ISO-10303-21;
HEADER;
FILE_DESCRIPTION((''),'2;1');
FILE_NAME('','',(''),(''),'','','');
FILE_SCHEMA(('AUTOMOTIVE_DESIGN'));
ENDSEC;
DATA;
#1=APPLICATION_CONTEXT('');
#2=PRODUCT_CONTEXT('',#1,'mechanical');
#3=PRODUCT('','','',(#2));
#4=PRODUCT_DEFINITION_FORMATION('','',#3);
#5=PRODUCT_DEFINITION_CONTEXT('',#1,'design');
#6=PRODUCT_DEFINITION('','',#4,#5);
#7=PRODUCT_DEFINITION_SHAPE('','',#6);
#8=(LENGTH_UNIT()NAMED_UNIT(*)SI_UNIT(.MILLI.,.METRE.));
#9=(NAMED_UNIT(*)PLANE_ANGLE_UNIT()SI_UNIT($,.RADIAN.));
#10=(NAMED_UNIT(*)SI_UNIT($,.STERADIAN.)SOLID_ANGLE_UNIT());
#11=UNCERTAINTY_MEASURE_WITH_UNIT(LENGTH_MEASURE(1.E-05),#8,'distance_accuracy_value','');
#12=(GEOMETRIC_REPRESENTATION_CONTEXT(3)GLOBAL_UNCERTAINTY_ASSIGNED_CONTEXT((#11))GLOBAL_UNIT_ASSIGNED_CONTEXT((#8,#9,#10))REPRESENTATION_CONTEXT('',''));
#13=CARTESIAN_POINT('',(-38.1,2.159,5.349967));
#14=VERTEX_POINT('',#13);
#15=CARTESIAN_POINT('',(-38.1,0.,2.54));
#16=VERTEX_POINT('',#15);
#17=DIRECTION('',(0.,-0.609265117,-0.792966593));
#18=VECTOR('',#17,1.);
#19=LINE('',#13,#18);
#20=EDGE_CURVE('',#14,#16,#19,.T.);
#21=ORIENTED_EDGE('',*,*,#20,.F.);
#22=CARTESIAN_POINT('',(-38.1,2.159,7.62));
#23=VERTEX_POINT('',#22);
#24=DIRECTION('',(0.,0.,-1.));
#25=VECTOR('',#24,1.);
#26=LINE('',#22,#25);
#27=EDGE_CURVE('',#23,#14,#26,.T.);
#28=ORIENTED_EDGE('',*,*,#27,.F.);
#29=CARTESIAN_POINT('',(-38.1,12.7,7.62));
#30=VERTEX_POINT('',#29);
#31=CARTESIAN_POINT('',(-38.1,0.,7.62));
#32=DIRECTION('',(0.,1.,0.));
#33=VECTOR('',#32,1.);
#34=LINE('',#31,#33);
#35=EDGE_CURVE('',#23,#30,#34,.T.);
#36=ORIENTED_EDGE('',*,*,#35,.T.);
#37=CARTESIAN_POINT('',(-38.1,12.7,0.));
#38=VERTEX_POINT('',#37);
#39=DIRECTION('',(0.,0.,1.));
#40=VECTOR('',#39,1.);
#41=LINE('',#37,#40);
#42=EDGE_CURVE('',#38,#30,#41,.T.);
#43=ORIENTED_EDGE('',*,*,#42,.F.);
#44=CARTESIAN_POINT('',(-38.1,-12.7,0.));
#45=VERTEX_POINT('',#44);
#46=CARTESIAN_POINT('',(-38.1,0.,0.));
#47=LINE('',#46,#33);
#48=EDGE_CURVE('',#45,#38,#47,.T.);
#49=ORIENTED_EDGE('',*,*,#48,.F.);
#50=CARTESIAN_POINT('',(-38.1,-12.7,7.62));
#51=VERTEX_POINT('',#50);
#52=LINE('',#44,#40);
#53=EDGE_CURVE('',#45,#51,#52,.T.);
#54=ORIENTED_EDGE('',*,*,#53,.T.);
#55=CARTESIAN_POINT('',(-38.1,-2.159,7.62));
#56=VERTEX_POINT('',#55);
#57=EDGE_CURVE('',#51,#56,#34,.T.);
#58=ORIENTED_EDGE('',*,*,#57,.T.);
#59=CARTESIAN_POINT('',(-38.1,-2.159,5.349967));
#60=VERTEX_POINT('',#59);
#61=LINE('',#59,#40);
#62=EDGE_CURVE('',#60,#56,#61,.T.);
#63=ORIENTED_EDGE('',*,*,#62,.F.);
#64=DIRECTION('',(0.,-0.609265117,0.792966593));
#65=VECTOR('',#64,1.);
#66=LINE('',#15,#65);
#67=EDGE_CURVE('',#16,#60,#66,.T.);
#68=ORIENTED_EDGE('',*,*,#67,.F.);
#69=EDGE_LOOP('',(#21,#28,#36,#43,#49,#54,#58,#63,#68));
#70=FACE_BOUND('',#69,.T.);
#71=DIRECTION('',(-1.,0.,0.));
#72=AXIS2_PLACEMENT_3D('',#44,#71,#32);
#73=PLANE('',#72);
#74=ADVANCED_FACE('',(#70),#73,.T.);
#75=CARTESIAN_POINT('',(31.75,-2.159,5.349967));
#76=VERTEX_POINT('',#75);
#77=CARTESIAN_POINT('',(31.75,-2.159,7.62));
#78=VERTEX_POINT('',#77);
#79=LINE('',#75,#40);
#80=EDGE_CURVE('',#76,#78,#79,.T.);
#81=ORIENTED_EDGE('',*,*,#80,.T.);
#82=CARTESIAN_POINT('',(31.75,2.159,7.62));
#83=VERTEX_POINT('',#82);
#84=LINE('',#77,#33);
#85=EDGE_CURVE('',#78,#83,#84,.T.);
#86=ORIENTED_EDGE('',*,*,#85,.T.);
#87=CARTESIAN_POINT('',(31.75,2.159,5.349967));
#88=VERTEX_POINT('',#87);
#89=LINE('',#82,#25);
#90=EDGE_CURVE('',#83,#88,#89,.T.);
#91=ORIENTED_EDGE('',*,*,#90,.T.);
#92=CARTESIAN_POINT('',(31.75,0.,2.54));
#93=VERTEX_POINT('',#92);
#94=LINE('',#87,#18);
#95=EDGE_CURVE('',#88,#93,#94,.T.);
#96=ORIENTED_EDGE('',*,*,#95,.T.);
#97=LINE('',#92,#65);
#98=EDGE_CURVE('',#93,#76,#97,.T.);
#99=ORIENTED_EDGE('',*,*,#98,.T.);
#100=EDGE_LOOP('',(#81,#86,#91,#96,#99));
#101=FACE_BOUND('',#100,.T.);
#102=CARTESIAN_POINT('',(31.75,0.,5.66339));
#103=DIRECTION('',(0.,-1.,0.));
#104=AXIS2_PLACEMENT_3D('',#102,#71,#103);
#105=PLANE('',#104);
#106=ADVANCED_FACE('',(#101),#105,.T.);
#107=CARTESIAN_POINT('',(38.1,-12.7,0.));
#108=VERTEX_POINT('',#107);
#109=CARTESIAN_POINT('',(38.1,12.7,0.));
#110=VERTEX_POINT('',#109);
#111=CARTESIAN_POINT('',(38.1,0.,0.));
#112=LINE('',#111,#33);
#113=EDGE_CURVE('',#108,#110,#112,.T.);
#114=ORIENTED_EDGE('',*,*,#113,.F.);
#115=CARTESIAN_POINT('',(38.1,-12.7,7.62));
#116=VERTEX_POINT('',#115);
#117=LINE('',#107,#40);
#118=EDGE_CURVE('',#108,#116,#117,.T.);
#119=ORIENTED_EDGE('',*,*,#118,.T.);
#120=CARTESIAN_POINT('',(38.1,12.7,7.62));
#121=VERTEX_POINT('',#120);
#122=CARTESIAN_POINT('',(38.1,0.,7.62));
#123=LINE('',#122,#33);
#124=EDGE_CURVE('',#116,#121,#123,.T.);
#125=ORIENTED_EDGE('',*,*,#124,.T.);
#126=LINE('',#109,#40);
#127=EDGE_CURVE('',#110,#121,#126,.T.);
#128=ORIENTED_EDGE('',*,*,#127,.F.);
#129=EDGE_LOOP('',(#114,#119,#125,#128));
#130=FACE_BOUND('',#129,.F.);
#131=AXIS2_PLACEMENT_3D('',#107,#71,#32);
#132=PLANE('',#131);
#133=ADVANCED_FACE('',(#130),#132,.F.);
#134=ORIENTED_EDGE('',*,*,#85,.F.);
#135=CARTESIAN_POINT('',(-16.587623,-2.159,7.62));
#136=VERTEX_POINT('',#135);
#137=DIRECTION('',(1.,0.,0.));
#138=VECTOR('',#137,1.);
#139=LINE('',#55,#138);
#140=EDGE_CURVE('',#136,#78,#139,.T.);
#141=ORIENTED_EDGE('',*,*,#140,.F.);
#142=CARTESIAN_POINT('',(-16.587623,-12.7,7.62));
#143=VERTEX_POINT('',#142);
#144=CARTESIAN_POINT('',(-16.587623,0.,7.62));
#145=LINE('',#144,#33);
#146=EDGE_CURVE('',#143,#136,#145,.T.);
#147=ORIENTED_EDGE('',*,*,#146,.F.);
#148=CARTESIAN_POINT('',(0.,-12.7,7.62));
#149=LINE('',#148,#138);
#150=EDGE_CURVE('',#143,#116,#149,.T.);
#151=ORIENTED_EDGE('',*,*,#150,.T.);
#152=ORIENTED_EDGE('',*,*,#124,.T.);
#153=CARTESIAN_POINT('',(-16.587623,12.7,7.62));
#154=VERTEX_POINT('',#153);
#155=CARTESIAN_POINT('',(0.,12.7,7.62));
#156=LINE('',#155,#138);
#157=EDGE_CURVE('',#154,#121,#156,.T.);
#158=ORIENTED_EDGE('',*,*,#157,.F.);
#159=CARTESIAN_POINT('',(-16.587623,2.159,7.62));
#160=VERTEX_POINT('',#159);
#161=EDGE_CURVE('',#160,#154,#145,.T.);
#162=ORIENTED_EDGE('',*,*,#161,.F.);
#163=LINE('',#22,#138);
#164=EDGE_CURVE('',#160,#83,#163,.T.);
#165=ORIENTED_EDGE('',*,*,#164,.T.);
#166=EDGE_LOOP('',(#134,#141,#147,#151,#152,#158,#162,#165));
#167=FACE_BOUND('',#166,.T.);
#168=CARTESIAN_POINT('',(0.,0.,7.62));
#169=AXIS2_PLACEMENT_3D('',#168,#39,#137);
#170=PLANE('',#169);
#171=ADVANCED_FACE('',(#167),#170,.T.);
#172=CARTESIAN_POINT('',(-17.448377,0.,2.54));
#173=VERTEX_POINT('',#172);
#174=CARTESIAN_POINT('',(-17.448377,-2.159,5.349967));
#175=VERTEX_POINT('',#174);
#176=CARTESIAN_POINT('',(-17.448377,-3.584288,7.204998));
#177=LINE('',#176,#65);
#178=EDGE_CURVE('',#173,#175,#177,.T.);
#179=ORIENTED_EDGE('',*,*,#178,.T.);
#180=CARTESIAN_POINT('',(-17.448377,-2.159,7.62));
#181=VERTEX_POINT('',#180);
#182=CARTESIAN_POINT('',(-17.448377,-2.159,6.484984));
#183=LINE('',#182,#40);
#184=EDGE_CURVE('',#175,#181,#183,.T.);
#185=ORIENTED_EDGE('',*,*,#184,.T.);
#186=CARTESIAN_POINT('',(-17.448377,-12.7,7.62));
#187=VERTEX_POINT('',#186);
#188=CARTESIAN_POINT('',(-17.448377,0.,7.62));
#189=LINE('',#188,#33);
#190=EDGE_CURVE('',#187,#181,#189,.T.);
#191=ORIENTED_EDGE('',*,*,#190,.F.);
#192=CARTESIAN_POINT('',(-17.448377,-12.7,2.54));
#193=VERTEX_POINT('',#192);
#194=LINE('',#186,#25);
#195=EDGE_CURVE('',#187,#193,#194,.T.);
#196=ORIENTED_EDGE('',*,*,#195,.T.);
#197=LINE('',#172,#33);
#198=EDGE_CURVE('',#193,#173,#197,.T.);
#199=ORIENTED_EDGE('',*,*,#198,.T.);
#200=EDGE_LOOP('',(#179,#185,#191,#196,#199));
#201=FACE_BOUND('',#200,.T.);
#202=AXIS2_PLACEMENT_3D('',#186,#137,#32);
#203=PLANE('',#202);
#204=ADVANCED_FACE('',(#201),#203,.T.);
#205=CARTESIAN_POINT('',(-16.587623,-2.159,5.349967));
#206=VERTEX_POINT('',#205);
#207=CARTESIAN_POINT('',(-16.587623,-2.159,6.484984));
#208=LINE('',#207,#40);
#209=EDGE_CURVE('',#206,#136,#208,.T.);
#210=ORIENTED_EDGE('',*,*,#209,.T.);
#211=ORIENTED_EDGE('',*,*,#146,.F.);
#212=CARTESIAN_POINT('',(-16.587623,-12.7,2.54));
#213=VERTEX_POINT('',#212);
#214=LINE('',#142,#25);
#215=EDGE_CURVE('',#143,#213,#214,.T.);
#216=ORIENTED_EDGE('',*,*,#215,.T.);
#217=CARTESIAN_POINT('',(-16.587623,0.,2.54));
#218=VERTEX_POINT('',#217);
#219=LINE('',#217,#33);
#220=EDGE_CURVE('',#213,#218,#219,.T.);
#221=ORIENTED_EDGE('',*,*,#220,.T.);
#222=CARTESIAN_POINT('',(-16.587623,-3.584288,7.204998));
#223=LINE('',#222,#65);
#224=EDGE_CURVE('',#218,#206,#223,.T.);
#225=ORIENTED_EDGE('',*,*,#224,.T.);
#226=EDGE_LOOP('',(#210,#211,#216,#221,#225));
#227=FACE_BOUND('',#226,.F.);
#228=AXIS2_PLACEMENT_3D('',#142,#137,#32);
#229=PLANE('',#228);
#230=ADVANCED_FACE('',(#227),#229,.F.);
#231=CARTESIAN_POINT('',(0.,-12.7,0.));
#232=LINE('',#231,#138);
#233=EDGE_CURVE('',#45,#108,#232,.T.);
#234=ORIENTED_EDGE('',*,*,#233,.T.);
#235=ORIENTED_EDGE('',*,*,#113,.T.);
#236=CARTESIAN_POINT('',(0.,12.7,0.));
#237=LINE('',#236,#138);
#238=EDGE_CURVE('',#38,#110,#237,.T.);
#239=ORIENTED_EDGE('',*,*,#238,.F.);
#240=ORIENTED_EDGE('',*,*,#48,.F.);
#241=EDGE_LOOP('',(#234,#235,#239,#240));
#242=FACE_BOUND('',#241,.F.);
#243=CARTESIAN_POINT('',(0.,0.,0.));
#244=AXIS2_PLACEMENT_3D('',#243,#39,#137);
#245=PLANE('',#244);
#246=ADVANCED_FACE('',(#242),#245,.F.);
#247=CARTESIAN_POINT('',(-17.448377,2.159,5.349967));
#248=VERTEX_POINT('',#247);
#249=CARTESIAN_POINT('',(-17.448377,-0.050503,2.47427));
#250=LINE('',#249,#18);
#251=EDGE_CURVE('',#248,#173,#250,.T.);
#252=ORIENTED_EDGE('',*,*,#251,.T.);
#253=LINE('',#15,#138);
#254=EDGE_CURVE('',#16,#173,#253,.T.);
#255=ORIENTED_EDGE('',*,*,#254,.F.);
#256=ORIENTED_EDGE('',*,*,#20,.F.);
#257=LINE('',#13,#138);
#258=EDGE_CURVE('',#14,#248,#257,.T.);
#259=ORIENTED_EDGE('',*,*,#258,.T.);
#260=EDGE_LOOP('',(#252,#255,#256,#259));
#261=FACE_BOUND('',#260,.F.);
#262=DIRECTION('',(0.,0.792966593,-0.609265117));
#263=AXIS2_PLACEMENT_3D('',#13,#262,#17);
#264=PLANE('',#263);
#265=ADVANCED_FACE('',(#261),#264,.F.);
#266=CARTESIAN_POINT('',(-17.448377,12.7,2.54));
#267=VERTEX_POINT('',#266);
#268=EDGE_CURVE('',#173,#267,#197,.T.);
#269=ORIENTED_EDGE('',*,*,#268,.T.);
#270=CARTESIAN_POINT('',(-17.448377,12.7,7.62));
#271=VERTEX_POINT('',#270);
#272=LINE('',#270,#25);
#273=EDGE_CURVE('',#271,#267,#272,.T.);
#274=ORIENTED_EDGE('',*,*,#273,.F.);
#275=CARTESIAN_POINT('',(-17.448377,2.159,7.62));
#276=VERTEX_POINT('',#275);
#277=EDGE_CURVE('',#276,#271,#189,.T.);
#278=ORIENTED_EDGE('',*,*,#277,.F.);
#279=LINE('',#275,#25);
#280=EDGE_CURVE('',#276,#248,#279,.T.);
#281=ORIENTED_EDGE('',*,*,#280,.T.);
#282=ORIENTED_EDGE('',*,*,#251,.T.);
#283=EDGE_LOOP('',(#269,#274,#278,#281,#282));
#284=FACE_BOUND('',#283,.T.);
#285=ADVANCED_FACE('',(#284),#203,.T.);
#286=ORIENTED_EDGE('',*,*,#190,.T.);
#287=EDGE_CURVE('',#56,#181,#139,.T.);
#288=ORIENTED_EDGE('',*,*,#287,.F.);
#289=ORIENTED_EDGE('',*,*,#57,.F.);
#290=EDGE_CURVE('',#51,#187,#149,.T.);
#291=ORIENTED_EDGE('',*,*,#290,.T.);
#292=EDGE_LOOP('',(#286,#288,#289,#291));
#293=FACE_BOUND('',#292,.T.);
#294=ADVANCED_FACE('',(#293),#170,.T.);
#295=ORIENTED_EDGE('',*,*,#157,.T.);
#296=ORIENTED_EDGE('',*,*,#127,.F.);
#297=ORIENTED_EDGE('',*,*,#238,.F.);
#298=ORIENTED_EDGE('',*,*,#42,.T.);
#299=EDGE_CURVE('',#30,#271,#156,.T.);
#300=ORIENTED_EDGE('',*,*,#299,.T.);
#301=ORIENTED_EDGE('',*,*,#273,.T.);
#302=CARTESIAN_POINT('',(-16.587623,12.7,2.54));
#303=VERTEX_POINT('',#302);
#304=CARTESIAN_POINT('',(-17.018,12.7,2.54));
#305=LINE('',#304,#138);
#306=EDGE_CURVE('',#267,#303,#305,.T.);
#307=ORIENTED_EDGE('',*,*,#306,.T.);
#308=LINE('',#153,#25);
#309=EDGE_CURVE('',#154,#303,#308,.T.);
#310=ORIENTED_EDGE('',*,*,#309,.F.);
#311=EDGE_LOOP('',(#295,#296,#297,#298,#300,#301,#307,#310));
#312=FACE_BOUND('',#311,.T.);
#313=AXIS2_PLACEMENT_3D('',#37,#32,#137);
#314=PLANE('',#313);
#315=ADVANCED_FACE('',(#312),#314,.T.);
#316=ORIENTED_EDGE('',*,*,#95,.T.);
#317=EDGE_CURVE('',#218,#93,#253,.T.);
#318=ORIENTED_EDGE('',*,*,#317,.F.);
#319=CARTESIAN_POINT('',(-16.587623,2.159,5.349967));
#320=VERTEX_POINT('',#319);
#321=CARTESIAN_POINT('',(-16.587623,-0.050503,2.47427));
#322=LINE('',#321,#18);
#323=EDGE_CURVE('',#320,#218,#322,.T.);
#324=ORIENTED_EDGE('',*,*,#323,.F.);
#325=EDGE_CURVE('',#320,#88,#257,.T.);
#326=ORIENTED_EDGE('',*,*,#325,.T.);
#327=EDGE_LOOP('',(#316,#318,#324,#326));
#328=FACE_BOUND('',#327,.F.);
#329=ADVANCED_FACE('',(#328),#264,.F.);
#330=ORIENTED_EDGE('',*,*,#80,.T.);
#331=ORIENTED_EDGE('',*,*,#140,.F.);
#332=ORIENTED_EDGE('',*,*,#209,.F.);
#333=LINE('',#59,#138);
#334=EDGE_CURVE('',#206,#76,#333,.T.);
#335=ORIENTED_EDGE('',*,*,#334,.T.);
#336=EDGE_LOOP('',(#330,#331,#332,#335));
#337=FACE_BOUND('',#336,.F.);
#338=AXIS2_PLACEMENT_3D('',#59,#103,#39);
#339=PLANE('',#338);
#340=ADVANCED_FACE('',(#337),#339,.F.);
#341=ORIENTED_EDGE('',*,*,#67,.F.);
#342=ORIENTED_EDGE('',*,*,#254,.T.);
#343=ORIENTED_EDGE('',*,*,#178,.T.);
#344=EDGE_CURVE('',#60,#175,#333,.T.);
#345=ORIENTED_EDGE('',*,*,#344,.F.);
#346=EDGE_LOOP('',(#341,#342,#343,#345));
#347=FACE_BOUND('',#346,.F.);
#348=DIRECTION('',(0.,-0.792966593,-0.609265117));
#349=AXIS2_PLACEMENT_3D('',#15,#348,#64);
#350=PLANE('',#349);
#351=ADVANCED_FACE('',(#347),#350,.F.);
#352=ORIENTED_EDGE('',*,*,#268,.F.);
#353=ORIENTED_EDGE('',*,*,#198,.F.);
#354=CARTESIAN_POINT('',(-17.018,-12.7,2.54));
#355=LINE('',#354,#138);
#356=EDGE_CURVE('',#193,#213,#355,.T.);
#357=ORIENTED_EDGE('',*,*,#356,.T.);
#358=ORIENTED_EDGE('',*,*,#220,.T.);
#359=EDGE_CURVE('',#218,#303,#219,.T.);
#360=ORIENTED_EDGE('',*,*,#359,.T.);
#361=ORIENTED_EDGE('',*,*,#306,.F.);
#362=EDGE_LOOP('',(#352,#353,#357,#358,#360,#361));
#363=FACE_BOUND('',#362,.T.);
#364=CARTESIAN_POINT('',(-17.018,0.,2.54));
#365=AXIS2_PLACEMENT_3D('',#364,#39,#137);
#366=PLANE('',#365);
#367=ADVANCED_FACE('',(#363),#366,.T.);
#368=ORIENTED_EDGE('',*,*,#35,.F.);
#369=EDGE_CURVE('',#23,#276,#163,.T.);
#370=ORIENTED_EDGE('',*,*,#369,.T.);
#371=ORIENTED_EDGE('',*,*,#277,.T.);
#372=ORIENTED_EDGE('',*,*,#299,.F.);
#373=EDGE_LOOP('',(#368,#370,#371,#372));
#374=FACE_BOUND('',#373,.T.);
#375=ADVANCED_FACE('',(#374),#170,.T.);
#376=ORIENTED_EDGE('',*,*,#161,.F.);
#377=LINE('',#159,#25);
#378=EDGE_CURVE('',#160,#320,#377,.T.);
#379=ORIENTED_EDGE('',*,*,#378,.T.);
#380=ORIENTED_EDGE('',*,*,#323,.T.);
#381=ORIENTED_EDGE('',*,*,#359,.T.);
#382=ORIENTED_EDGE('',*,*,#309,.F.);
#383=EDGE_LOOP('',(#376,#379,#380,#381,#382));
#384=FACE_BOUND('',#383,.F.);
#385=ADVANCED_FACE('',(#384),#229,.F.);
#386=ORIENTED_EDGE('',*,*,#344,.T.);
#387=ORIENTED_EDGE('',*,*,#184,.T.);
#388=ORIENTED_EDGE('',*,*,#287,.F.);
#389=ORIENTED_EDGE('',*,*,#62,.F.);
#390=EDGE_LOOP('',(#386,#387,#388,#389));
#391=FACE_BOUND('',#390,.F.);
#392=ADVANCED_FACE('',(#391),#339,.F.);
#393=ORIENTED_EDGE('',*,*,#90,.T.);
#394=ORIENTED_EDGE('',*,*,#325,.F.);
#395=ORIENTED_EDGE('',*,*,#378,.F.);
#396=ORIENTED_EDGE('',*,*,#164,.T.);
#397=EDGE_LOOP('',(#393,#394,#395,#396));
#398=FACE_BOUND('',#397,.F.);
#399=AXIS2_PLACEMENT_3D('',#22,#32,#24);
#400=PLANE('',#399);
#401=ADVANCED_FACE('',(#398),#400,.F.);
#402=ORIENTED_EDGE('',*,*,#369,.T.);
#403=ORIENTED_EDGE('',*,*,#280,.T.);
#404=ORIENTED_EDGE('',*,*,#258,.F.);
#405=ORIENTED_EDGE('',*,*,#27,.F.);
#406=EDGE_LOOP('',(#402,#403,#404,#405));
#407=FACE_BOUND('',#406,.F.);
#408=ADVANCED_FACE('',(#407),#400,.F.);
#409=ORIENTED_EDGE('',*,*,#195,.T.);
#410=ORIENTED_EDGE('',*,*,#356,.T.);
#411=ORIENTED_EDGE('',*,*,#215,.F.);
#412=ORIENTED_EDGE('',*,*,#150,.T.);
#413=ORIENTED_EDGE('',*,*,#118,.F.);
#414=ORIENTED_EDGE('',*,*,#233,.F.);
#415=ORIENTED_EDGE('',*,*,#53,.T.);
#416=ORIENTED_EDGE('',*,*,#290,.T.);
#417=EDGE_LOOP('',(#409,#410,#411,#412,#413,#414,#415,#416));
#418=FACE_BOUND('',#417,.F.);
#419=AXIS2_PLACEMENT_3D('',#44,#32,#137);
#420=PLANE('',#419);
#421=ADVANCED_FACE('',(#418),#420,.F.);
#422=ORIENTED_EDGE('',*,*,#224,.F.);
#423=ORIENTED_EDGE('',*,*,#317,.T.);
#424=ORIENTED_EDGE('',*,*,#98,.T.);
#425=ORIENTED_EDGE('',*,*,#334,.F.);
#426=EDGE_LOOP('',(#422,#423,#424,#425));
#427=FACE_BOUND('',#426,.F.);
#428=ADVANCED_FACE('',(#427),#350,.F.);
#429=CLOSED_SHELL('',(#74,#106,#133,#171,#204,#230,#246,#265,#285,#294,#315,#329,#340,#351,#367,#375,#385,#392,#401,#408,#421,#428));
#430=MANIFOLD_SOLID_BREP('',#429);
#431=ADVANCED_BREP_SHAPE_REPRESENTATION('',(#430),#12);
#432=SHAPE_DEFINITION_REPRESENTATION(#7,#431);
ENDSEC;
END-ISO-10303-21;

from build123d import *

# Parameters (mm, degrees)
F0_W     = 76.2
F0_H     = 25.4
F1_DEPTH = 7.62
F3_DEPTH = 69.85
F4_W     = 0.860754
F4_H     = 25.4
F5_DEPTH = 5.08


with BuildPart() as f1:
    # F0 (on Top) → F1 (new body)
    with BuildSketch(Plane.XY):
        Rectangle(F0_W, F0_H)
    extrude(amount=F1_DEPTH)

    # F2 (on face) → F3 (cut)
    with BuildSketch(Plane(origin=(-38.1, 0, 0), x_dir=(0, -1, 0), z_dir=(-1, 0, 0))):
        Polygon((2.159, 7.62), (-2.159, 7.62), (-2.159, 5.349967), (0, 2.54), (2.159, 5.349967), align=None)
    extrude(amount=-F3_DEPTH, mode=Mode.SUBTRACT)

    # F4 (on face) → F5 (cut)
    with BuildSketch(Plane.XY.offset(7.62)):
        with Locations((-17.018, 0)):
            Rectangle(F4_W, F4_H)
    extrude(amount=-F5_DEPTH, mode=Mode.SUBTRACT)


solid = f1.part
